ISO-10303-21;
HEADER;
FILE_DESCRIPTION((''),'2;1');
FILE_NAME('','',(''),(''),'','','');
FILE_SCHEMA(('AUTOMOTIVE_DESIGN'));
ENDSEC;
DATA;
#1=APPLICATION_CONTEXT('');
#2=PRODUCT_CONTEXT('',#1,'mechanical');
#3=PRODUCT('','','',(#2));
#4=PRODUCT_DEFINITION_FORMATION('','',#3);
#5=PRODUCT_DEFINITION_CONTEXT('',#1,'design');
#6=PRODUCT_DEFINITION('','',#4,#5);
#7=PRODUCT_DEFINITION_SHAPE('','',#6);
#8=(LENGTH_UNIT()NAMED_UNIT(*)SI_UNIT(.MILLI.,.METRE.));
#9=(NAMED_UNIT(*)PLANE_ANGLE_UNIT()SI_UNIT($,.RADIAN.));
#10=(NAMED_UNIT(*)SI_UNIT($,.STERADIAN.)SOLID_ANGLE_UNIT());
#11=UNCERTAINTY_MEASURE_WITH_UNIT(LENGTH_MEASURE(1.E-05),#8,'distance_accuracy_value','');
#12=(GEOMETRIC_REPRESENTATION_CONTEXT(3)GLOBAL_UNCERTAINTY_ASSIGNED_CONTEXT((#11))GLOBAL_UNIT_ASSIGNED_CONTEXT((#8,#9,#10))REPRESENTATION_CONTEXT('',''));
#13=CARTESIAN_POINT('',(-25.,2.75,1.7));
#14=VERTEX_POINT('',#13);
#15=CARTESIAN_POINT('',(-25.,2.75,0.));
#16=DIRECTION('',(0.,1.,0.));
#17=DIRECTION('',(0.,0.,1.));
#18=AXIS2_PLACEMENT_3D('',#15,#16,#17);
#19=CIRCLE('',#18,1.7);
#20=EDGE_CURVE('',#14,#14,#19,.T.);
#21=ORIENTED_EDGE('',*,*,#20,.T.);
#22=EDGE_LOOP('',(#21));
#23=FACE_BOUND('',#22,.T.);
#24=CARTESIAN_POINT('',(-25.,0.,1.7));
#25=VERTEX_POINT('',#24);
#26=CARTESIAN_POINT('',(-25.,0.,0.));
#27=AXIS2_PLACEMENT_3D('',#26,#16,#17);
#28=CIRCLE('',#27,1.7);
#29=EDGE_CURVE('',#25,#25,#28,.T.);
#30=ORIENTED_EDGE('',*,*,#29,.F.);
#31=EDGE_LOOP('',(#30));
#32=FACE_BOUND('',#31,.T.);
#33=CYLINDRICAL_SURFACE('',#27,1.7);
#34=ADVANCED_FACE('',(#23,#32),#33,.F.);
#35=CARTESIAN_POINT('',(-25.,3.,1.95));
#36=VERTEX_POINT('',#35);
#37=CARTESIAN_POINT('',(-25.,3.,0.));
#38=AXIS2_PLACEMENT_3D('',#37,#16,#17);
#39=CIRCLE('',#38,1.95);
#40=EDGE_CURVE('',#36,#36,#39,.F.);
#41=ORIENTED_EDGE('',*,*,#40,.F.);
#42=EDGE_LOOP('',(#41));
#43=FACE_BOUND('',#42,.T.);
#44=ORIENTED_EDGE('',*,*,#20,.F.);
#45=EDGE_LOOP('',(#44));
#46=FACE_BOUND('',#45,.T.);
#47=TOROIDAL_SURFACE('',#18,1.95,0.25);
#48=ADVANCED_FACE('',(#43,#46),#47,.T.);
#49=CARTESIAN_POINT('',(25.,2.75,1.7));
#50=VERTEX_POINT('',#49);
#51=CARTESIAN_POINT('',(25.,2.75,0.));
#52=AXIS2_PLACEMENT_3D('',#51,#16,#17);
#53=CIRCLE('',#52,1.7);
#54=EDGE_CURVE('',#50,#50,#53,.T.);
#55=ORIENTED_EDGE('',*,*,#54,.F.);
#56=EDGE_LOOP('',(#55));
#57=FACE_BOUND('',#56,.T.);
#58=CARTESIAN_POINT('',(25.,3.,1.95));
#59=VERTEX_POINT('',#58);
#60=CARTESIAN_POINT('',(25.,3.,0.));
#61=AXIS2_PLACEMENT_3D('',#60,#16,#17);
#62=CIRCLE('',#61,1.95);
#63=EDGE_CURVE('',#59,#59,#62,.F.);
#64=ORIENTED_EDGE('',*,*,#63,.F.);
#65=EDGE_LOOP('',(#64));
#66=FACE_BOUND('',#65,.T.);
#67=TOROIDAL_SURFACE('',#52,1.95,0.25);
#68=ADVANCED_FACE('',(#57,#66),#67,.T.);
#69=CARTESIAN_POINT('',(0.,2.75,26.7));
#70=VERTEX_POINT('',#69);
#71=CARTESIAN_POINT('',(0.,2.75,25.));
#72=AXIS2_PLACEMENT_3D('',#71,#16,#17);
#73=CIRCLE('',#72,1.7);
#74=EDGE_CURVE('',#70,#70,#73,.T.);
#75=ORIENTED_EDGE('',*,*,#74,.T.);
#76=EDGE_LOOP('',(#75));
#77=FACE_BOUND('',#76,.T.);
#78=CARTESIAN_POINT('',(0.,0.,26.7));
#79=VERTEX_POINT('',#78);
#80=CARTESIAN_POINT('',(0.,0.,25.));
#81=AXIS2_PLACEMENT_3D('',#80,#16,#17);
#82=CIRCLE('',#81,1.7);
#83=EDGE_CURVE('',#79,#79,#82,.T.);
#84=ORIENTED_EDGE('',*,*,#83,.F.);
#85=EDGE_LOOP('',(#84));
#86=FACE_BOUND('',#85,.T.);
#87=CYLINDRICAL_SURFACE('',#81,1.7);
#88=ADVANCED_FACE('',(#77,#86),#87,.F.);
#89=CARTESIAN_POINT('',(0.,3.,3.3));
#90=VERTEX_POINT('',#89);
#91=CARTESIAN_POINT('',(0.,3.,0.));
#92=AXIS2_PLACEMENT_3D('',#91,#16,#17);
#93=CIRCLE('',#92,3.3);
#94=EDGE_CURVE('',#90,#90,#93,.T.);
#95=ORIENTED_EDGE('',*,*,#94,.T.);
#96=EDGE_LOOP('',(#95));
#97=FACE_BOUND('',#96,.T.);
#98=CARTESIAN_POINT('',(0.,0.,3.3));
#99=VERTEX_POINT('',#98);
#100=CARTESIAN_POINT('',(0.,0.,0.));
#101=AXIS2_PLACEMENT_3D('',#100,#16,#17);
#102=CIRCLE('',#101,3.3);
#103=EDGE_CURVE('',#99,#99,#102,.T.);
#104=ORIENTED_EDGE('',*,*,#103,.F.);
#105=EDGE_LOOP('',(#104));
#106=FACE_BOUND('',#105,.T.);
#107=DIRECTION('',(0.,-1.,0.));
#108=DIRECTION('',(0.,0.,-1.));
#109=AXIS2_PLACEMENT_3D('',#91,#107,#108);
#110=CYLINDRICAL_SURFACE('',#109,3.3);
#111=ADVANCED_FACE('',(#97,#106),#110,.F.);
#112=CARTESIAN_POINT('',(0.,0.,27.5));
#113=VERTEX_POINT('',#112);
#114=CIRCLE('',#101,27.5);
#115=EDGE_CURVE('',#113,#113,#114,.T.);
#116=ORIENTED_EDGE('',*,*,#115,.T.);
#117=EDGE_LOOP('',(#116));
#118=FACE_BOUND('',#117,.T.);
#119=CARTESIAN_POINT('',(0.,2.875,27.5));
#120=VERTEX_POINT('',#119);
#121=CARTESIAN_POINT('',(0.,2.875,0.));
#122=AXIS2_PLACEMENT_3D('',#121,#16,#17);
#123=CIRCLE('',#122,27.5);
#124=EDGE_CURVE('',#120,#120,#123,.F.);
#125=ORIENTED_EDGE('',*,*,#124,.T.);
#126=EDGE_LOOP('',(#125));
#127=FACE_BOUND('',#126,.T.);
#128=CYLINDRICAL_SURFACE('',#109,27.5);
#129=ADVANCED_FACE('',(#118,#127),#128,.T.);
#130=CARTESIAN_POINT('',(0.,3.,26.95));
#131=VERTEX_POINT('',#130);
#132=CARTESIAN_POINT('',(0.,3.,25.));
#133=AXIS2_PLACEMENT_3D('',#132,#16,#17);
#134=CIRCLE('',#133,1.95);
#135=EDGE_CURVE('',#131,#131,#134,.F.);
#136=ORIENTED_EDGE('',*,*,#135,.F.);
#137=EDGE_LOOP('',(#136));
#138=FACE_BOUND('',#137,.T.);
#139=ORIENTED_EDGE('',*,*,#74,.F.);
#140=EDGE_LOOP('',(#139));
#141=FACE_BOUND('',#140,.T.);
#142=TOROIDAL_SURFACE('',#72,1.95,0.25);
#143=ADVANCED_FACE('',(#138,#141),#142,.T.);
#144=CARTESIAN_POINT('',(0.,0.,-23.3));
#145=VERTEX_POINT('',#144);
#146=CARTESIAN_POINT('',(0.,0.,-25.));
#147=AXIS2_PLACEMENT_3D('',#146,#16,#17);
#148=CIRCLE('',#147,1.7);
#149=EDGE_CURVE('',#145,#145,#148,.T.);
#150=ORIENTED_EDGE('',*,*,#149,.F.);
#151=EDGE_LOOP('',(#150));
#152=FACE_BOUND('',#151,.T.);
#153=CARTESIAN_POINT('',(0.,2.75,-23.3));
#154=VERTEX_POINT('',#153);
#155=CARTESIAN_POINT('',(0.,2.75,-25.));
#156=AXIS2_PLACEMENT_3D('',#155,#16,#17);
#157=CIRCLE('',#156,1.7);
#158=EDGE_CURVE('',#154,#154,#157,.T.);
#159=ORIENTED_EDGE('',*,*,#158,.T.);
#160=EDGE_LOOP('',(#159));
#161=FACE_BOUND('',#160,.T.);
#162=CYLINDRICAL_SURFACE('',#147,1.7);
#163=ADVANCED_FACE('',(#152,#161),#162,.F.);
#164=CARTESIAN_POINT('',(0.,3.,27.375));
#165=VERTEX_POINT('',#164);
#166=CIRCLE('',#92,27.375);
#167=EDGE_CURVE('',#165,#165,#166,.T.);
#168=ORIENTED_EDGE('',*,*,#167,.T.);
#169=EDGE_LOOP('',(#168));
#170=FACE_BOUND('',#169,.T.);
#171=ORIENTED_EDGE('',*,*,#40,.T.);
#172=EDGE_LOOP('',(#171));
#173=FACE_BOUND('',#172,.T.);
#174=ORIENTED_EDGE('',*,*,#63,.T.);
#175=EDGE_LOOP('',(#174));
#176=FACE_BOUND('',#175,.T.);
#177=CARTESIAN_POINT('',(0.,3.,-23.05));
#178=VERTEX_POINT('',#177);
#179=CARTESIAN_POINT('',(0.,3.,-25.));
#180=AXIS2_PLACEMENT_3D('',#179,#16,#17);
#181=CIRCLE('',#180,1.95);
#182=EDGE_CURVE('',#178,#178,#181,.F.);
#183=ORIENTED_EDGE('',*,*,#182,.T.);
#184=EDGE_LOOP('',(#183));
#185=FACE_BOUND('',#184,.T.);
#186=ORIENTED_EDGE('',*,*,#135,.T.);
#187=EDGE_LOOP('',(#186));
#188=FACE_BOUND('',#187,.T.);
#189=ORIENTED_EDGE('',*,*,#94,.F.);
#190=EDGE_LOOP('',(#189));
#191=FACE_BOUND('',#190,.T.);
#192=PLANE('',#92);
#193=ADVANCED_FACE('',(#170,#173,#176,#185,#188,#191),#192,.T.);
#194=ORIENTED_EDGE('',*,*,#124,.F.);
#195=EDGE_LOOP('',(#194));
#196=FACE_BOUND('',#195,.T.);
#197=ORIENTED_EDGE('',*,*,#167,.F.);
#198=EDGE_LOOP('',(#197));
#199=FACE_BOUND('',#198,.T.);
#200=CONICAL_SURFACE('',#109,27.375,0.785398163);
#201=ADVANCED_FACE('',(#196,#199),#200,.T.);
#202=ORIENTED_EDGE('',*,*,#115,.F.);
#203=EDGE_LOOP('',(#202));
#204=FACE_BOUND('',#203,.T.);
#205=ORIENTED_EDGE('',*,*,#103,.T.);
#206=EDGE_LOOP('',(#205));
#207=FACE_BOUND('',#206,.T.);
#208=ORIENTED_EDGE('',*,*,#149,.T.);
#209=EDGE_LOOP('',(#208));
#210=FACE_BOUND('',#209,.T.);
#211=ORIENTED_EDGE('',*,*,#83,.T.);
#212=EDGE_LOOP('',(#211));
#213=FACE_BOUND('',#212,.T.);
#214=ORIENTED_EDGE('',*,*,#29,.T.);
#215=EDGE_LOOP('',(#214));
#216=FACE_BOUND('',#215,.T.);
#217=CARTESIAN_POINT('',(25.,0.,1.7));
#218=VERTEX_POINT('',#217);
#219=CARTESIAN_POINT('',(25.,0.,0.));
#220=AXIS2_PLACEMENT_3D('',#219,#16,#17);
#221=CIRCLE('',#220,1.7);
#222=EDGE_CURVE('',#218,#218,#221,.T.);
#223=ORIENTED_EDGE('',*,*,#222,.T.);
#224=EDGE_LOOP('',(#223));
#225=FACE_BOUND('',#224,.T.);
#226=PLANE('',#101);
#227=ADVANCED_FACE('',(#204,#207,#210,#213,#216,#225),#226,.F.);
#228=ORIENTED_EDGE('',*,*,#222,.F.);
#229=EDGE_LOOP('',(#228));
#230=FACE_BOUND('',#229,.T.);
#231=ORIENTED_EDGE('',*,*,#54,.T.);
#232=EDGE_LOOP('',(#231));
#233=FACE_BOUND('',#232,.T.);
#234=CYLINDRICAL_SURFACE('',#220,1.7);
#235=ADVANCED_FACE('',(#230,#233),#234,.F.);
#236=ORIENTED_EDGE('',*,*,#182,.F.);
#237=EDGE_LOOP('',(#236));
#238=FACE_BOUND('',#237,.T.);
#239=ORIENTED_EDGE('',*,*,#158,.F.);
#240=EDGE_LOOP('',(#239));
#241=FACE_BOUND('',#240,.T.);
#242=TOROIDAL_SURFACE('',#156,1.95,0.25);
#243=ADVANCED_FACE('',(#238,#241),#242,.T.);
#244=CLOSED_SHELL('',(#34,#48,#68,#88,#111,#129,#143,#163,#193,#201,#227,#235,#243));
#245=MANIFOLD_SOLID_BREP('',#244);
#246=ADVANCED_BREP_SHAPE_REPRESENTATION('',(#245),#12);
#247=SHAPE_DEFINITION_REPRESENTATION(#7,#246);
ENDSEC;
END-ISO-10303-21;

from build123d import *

# Parameters (mm, degrees)
SKETCH1_R           = 27.5
SKETCH1_R_2         = 3.3
BOSS_EXTRUDE1_DEPTH = 3
SKETCH2_R           = 1.7
CUT_EXTRUDE1_DEPTH  = 40.00640973
CHAMFER1_SIZE       = 0.125
FILLET1_R           = 0.25


with BuildPart() as part:
    # Sketch1 → Boss-Extrude1 (new body)
    with BuildSketch(Plane(origin=(0, 0, 0), x_dir=(1, 0, 0), z_dir=(0, 1, 0))):
        with Locations(Location((0, 0, 0), (0, 0, 270))):
            Circle(SKETCH1_R)
        with Locations(Location((0, 0, 0), (0, 0, 270))):
            Circle(SKETCH1_R_2, mode=Mode.SUBTRACT)
    extrude(amount=BOSS_EXTRUDE1_DEPTH)

    # Sketch2 → Cut-Extrude1 (cut, through all)
    with BuildSketch(Plane(origin=(0, 3, 0), x_dir=(1, 0, 0), z_dir=(0, 1, 0))):
        with Locations(Location((-25, 0, 0), (0, 0, 270))):
            Circle(SKETCH2_R)
        with Locations(Location((0, -25, 0), (0, 0, 270))):
            Circle(SKETCH2_R)
        with Locations(Location((25, 0, 0), (0, 0, 270))):
            Circle(SKETCH2_R)
        with Locations(Location((0, 25, 0), (0, 0, 270))):
            Circle(SKETCH2_R)
    extrude(amount=-CUT_EXTRUDE1_DEPTH, mode=Mode.SUBTRACT)

    # Chamfer1
    chamfer1_edges = [part.edges().sort_by_distance(p)[0] for p in [
        (0, 3, -27.5),
    ]]
    chamfer(chamfer1_edges, length=CHAMFER1_SIZE)

    # Fillet1
    fillet1_edges = [part.edges().sort_by_distance(p)[0] for p in [
        (-25, 3, -1.7),
        (0, 3, 23.3),
        (25, 3, -1.7),
        (0, 3, -26.7),
    ]]
    fillet(fillet1_edges, radius=FILLET1_R)


solid = part.part
